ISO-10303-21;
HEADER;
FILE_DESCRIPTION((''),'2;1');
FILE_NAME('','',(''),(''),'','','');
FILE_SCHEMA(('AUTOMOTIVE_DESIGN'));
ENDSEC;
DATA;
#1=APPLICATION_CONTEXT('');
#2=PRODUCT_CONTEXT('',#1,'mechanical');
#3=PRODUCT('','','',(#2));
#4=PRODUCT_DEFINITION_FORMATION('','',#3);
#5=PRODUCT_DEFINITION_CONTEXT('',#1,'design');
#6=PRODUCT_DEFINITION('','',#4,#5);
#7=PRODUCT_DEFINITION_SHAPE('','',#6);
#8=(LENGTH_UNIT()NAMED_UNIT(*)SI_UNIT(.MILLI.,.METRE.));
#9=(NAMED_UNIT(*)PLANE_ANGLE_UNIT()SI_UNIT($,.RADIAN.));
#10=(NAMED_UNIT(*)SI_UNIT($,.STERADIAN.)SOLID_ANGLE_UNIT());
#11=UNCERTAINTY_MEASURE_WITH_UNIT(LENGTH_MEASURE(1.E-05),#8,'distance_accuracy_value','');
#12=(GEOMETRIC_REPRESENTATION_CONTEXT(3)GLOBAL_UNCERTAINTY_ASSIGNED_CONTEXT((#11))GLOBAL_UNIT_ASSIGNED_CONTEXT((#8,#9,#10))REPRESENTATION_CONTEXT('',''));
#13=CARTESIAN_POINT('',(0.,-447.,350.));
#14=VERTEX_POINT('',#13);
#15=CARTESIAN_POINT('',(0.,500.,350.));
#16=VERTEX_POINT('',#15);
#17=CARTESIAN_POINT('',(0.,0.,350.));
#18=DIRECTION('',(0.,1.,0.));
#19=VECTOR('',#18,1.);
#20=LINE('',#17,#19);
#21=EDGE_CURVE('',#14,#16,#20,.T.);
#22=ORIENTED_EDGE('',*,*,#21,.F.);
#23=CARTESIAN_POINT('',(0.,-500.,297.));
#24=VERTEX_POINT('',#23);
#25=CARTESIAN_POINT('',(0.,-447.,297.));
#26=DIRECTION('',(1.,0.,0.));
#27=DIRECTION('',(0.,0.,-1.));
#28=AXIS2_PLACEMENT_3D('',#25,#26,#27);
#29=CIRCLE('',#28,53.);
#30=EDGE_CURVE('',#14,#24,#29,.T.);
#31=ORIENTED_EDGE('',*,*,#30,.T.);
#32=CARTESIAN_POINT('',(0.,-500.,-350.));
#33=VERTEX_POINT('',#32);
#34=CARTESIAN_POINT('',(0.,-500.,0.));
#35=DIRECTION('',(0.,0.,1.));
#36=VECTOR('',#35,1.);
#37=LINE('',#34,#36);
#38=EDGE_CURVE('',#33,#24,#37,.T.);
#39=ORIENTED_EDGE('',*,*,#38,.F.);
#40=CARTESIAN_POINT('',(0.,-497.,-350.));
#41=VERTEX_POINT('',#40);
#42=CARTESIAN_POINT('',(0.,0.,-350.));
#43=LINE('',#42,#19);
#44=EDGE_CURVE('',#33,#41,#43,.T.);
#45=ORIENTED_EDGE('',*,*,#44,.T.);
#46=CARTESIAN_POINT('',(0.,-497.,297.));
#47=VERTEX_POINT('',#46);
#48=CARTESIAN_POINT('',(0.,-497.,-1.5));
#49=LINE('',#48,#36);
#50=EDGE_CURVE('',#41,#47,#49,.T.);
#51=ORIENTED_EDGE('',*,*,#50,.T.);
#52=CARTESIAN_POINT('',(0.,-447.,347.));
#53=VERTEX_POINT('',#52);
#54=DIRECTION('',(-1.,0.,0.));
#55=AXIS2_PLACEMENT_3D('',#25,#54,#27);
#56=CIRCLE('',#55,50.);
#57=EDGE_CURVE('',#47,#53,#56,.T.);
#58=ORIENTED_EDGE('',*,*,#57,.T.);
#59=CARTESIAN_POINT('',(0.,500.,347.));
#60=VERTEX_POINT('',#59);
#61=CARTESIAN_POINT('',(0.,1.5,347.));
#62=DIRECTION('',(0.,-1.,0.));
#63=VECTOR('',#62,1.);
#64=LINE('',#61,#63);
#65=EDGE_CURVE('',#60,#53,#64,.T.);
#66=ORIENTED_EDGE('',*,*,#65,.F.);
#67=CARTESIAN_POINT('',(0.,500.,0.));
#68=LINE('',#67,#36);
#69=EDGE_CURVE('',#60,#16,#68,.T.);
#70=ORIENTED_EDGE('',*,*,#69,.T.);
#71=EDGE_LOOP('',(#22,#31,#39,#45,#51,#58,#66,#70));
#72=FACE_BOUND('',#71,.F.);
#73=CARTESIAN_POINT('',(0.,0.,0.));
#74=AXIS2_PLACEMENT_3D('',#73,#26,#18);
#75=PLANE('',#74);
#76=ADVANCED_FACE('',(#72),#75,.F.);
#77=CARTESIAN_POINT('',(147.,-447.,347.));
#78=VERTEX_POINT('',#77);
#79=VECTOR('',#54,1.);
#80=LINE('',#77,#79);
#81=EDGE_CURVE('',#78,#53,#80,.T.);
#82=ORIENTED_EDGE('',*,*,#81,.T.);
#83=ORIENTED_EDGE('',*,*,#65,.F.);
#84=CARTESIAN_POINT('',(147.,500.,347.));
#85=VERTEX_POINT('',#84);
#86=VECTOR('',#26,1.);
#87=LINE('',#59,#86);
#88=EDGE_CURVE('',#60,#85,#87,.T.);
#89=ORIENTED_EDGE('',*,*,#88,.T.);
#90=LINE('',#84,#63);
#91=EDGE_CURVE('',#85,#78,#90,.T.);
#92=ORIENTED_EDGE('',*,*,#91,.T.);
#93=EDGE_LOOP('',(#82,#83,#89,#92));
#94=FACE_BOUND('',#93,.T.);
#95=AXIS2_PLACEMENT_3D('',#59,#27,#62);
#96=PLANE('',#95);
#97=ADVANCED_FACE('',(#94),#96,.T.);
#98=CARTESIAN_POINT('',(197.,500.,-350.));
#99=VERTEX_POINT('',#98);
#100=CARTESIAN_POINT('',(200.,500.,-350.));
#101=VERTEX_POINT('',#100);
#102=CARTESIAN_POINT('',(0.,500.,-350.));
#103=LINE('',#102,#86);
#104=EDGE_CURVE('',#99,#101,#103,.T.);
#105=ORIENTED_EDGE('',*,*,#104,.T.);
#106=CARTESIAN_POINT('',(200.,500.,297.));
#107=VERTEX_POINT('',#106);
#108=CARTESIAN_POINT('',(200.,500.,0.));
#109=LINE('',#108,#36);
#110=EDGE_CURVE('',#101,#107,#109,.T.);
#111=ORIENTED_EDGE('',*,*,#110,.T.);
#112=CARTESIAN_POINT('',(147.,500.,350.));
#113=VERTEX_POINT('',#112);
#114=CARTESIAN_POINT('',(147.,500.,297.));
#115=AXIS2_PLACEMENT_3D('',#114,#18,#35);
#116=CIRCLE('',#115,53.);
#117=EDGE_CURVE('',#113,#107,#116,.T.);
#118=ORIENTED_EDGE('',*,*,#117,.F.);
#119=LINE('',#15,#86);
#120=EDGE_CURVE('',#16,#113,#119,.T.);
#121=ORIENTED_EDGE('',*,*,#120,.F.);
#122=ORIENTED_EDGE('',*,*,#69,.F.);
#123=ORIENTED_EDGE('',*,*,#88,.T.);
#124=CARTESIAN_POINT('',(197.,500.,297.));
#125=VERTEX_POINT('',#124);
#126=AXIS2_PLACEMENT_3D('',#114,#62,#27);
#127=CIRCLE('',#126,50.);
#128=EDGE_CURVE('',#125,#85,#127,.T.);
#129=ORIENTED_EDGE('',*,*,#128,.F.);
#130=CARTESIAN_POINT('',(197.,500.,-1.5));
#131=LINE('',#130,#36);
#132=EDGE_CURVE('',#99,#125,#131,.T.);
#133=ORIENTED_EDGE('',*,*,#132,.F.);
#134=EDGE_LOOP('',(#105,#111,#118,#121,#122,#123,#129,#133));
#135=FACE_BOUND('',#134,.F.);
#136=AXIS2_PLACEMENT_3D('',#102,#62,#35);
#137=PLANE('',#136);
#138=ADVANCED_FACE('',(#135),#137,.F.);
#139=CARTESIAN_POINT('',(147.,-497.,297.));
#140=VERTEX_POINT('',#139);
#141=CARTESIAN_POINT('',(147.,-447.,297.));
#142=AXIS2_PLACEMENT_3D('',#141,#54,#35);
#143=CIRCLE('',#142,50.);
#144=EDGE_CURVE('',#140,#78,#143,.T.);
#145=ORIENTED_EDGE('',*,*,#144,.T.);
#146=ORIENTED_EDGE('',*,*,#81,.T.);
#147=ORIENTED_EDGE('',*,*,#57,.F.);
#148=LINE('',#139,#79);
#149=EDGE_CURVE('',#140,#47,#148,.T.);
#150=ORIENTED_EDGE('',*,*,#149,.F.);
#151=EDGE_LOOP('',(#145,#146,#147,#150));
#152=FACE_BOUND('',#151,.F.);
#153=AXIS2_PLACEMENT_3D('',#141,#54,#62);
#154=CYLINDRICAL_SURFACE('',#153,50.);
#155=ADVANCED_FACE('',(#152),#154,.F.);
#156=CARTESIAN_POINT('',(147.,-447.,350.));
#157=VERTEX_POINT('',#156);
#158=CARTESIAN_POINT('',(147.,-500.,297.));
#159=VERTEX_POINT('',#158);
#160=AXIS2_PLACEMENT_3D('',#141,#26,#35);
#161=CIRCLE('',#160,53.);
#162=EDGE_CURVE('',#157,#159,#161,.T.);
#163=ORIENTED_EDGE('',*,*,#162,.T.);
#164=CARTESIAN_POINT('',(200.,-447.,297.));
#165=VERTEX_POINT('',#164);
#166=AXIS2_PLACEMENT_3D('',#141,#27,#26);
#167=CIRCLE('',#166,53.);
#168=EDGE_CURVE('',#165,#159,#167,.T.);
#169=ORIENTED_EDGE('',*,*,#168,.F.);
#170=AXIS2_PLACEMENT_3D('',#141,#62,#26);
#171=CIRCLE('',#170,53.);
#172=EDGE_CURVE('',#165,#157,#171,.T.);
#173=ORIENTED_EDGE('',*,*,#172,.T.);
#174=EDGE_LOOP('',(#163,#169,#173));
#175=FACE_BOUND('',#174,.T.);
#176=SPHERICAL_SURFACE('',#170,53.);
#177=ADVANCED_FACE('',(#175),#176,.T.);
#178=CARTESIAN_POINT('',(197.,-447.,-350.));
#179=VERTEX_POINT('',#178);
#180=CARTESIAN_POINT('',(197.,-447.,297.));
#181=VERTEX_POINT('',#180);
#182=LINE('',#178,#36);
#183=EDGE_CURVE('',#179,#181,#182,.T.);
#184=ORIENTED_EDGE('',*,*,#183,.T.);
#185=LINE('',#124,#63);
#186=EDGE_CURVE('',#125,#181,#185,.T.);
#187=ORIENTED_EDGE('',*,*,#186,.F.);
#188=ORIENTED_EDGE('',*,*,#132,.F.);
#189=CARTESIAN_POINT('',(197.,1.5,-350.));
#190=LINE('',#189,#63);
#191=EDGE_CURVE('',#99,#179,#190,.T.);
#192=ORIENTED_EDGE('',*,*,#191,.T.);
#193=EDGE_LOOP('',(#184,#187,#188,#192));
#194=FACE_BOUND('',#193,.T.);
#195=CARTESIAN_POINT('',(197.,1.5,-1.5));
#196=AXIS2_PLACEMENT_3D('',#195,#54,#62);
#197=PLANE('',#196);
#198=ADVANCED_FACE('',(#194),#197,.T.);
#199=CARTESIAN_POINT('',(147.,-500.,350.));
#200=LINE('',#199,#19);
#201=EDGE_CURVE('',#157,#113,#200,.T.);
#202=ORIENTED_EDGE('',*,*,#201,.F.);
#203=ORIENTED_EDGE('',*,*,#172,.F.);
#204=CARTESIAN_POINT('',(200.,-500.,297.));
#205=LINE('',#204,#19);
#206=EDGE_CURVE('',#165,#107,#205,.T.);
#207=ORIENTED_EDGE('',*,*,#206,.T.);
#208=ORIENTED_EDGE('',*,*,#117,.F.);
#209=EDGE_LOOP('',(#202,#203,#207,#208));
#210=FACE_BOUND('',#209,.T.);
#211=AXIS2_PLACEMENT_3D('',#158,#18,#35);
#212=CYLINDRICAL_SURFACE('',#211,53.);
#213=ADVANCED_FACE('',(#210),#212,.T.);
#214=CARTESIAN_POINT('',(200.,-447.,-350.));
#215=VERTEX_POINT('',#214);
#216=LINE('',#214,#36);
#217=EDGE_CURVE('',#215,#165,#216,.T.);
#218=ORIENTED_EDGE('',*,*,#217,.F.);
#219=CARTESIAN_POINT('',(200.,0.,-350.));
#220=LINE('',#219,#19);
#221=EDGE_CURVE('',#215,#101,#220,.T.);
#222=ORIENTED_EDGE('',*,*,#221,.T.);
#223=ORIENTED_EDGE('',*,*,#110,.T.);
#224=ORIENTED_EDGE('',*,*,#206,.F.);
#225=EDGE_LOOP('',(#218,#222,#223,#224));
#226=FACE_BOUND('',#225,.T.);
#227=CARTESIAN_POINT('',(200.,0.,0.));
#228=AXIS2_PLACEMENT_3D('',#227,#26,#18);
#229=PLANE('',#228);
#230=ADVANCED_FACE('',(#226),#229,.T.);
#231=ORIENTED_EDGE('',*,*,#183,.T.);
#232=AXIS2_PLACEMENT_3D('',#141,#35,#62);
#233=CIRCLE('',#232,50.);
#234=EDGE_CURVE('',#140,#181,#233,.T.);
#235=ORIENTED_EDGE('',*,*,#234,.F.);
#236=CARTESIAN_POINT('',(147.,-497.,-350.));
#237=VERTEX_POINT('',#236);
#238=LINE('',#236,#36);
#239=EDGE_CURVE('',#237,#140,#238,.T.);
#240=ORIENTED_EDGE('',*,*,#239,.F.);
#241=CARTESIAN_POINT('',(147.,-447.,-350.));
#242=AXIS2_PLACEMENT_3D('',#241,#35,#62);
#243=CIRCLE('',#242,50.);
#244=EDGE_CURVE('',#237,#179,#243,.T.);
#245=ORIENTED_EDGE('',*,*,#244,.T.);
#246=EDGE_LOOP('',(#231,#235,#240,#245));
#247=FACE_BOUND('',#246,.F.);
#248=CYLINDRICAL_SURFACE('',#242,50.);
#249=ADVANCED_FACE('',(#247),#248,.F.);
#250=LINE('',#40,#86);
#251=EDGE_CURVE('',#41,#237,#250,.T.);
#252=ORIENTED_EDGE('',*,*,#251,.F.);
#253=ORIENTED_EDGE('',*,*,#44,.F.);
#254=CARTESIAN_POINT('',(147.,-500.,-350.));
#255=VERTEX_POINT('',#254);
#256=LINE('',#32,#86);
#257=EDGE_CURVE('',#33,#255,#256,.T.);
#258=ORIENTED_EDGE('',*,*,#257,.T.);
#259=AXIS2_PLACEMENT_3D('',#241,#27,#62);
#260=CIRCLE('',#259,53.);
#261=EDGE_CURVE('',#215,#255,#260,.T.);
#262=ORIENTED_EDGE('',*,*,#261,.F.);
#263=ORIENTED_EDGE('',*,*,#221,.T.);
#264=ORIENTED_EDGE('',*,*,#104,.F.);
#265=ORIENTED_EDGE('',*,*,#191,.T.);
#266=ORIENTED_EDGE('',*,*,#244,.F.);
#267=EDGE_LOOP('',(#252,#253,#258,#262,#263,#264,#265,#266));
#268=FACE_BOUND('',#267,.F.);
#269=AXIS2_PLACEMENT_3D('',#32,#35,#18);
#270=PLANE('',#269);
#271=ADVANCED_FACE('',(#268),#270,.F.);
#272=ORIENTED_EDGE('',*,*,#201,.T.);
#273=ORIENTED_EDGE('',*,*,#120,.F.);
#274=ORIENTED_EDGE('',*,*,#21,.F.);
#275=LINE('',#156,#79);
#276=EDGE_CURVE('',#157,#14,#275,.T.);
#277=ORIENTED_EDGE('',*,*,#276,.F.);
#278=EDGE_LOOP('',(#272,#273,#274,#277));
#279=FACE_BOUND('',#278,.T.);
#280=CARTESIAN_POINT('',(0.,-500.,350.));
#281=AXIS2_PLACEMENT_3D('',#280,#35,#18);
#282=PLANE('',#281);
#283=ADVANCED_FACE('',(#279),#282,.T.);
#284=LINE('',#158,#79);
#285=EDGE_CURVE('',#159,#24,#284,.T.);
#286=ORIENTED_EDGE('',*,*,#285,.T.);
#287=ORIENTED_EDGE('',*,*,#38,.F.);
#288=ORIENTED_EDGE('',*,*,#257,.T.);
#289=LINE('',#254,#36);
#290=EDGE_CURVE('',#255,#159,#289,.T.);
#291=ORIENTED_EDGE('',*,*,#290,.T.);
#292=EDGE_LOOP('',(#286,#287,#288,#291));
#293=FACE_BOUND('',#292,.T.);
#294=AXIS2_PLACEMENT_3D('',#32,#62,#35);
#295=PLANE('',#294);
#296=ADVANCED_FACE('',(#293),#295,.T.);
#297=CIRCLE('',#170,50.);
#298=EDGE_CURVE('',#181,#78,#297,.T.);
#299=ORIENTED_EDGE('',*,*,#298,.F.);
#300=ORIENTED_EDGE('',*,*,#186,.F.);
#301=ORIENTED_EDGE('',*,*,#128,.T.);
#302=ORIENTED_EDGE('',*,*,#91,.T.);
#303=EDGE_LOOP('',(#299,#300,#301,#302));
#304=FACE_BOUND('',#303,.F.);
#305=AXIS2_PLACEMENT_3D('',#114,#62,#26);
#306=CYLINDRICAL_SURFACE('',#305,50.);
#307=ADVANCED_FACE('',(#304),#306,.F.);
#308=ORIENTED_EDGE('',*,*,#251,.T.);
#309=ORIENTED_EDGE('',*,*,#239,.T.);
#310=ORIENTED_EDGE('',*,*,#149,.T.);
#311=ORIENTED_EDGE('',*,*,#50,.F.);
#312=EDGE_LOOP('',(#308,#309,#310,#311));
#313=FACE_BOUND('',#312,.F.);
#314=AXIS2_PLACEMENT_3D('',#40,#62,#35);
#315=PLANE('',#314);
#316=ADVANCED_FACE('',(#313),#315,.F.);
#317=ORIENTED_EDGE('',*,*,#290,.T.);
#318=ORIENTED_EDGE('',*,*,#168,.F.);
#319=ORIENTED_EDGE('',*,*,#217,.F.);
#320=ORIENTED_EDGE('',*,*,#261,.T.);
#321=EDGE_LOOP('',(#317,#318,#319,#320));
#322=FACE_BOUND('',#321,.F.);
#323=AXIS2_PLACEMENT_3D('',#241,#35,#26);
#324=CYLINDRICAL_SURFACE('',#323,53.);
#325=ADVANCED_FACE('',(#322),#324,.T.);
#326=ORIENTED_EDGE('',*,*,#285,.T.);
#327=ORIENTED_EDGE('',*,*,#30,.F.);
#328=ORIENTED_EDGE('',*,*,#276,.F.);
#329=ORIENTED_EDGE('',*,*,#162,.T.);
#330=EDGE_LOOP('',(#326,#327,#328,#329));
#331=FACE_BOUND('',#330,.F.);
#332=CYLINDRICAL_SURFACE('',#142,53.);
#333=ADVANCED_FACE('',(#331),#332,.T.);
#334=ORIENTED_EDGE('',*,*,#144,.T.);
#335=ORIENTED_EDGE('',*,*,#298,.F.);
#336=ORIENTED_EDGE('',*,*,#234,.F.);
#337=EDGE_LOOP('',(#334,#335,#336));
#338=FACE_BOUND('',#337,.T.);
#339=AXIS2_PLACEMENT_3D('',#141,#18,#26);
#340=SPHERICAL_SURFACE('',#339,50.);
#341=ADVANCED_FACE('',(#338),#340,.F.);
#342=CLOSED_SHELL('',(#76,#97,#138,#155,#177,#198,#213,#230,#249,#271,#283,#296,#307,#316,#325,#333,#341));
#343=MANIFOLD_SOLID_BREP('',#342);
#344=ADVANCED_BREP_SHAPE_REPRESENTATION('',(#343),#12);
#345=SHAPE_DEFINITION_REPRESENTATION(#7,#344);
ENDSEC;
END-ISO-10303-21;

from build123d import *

# Parameters (mm, degrees)
F0_W     = 1000
F0_H     = 700
F1_DEPTH = 200
F2_W     = 997
F2_H     = 697
F3_DEPTH = 197
F4_R     = 50
F5_R     = 50
F6_R     = 53
F7_R     = 53


with BuildPart() as f1:
    # F0 (on Right) → F1 (new body)
    with BuildSketch(Plane.YZ):
        Rectangle(F0_W, F0_H)
    extrude(amount=F1_DEPTH)

    # F2 (on face) → F3 (cut)
    with BuildSketch(Plane(origin=(0, 0, 0), x_dir=(0, -1, 0), z_dir=(-1, 0, 0))):
        with Locations((-1.5, -1.5)):
            Rectangle(F2_W, F2_H)
    extrude(amount=-F3_DEPTH, mode=Mode.SUBTRACT)

    # F4
    f4_edges = [f1.edges().sort_by_distance(p)[0] for p in [
        (197, 1.5, 347),
    ]]
    fillet(f4_edges, radius=F4_R)

    # F5
    f5_edges = [f1.edges().sort_by_distance(p)[0] for p in [
        (197, -497, -26.5),
    ]]
    fillet(f5_edges, radius=F5_R)

    # F6
    f6_edges = [f1.edges().sort_by_distance(p)[0] for p in [
        (200, 0, 350),
    ]]
    fillet(f6_edges, radius=F6_R)

    # F7
    f7_edges = [f1.edges().sort_by_distance(p)[0] for p in [
        (200, -500, -26.5),
    ]]
    fillet(f7_edges, radius=F7_R)


solid = f1.part
